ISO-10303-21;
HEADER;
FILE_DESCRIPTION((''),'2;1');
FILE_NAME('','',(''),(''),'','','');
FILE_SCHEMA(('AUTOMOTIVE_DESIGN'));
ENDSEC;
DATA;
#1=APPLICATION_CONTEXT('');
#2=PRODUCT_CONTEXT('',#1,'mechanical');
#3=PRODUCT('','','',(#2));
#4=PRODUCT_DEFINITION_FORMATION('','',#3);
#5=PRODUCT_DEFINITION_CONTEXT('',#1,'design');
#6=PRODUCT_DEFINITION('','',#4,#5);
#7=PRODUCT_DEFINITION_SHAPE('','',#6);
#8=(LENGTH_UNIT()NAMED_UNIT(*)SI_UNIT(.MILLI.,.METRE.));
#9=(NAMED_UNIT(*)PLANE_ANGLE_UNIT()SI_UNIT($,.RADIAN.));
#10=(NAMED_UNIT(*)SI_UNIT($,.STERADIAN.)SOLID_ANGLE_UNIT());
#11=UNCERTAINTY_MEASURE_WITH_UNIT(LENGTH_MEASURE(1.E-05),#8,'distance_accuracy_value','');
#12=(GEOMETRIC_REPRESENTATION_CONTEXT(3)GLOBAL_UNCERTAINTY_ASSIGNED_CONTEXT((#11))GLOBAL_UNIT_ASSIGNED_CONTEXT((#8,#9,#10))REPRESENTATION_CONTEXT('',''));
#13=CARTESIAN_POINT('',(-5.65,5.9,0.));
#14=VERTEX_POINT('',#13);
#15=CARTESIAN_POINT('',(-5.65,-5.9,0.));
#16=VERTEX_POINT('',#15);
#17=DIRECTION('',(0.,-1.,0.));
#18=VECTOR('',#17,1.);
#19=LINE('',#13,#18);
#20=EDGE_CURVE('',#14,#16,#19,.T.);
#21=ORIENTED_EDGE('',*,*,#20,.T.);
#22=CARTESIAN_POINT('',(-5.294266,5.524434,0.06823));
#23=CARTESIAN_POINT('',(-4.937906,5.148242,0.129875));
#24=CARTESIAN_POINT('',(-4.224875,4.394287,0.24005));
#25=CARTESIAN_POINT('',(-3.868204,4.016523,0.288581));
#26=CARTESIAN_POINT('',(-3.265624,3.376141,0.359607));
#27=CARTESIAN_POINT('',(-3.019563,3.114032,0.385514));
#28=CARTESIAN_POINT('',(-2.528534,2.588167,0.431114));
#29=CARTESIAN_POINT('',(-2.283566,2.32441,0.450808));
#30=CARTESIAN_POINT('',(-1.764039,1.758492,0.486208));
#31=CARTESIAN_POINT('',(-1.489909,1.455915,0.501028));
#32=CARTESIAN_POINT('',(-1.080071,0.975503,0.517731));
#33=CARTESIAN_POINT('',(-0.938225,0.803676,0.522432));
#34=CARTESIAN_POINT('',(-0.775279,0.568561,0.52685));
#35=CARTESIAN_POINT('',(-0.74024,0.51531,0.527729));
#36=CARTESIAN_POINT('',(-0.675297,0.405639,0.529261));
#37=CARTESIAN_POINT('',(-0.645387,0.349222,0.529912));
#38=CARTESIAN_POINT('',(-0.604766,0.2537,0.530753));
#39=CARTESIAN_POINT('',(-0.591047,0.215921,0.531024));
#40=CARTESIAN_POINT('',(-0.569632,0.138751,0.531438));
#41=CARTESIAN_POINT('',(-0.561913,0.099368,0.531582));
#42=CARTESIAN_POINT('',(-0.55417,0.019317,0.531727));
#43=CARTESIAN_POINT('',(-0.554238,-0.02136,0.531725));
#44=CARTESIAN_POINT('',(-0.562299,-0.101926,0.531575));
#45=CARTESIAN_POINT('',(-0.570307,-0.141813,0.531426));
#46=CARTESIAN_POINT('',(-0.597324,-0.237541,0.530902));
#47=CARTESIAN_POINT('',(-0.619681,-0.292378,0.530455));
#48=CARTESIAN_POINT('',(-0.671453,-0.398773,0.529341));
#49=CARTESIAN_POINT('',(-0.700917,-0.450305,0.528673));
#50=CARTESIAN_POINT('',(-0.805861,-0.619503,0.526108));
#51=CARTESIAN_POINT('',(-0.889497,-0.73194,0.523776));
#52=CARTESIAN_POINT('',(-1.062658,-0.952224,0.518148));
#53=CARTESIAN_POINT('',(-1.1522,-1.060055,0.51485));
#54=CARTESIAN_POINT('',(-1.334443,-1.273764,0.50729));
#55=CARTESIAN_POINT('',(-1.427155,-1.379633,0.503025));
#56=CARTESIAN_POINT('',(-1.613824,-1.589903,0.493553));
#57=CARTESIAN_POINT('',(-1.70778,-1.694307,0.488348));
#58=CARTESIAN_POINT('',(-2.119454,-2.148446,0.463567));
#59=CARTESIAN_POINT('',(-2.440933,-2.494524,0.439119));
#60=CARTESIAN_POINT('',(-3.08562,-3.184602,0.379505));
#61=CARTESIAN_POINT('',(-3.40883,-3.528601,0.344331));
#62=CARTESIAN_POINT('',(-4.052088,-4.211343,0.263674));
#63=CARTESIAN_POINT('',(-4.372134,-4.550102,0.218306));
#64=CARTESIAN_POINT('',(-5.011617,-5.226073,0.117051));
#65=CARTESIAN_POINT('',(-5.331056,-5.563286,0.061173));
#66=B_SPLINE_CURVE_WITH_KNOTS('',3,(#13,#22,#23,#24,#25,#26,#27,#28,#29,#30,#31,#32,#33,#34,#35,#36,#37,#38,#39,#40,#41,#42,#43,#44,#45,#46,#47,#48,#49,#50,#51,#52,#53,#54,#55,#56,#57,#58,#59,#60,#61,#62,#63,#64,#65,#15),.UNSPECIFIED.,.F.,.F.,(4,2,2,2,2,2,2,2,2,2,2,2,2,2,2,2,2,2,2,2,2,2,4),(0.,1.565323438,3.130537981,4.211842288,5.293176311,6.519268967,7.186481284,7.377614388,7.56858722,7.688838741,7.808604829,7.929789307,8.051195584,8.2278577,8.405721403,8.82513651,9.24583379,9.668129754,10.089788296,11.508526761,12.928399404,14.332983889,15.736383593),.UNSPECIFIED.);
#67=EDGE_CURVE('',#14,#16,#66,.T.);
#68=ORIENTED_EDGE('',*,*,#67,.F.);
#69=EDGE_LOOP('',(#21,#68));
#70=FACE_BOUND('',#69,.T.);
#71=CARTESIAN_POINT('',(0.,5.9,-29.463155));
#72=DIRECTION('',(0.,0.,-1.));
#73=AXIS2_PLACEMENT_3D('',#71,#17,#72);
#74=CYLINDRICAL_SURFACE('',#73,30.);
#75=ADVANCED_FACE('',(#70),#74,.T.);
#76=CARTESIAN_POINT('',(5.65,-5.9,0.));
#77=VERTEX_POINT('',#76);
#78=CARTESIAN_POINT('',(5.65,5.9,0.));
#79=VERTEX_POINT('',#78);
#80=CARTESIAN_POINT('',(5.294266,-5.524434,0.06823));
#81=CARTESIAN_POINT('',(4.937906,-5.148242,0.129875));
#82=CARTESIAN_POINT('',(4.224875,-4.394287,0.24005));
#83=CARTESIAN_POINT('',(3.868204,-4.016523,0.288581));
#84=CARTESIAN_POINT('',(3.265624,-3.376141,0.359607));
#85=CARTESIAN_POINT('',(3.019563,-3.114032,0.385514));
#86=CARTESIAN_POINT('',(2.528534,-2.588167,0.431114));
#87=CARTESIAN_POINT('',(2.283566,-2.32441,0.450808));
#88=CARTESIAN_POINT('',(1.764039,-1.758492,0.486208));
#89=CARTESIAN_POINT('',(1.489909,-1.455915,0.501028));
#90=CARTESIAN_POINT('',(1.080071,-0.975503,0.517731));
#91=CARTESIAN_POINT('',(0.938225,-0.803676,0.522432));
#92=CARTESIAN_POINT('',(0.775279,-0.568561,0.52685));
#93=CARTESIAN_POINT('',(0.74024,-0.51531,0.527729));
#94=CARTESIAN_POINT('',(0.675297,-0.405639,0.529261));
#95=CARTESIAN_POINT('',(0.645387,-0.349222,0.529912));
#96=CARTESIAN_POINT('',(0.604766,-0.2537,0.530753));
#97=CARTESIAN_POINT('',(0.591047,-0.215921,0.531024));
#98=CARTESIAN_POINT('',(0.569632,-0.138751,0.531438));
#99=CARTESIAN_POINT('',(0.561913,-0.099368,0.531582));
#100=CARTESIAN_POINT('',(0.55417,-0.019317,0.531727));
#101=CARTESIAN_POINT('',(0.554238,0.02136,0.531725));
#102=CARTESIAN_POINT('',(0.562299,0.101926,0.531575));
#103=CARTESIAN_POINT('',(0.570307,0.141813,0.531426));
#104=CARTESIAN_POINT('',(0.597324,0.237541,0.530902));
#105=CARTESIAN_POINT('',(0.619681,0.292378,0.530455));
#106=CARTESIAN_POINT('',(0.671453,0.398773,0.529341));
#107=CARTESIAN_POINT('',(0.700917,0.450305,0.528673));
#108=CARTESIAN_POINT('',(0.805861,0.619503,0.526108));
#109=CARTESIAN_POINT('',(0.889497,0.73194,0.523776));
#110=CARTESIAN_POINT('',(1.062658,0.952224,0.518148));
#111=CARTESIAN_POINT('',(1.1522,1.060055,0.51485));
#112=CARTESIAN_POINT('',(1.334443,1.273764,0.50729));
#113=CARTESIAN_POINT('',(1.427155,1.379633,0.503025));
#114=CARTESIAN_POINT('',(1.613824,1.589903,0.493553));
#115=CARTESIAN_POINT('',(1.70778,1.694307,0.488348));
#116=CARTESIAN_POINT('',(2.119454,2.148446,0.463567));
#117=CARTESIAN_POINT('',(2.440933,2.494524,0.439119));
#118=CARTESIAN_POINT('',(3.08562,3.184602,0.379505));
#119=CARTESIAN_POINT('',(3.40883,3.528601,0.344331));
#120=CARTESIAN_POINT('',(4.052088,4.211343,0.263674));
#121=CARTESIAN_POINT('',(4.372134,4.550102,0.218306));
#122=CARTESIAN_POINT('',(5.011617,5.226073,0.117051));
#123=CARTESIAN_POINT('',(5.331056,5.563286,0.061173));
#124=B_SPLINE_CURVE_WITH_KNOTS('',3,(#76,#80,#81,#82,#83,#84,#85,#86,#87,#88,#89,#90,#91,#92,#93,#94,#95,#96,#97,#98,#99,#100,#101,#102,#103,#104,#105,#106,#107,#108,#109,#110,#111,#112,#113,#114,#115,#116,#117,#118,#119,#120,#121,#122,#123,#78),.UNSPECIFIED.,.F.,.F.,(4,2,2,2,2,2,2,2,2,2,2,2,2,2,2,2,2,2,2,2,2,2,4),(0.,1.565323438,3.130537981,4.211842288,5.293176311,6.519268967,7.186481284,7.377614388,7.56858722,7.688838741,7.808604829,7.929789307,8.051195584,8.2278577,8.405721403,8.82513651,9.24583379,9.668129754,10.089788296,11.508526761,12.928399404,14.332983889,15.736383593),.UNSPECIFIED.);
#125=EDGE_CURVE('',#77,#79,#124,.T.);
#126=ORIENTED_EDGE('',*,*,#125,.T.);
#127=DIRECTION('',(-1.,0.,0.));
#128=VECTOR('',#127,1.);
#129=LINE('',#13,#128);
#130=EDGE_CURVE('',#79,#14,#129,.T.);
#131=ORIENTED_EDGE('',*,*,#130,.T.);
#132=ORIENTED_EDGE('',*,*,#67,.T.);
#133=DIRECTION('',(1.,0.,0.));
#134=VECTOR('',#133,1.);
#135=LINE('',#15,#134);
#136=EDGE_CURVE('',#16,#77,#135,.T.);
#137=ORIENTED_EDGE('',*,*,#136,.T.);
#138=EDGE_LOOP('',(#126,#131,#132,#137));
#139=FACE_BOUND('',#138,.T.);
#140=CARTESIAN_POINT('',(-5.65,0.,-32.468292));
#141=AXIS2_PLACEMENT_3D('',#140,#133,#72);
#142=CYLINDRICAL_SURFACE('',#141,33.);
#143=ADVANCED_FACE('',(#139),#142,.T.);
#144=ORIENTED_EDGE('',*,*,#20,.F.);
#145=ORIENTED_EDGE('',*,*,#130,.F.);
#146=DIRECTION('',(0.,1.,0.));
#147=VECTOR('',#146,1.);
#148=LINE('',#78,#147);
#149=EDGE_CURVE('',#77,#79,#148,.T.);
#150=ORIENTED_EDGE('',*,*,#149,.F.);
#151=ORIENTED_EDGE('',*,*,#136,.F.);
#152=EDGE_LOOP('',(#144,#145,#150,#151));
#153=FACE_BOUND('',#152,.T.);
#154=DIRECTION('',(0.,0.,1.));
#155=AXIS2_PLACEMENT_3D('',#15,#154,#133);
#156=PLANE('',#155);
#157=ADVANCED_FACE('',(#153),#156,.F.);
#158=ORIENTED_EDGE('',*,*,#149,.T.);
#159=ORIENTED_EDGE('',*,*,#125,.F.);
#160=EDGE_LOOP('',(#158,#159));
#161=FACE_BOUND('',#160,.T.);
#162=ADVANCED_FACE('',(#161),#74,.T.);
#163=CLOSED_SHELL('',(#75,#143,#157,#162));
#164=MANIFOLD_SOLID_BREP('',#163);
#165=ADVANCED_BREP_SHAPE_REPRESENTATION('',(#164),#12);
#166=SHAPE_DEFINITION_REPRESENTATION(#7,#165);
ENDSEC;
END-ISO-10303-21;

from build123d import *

# Parameters (mm, degrees)
SKETCH1_W                  = 11.3
SKETCH1_H                  = 11.8
KEY_DEPTH                  = 1
EXTRUDE2_DEPTH             = 12.8
CORTAR_EXTRUIR2_DEPTH      = 6.65
CORTAR_EXTRUIR2_DEPTH_BACK = 6.65


with BuildPart() as part:
    # Sketch1 → key (new body)
    with BuildSketch(Plane.XY):
        Rectangle(SKETCH1_W, SKETCH1_H)
    extrude(amount=KEY_DEPTH)

    # Sketch2 → Extrude2 (cut, through all)
    with BuildSketch(Plane.XZ.offset(5.9)):
        with BuildLine():
            Line((-5.65, 0), (-5.65, 1))
            Line((-5.65, 1), (5.65, 1))
            Line((5.65, 1), (5.65, 0))
            ThreePointArc((5.65, 0), (0, 0.536845043), (-5.65, 0))
        make_face()
    extrude(amount=-EXTRUDE2_DEPTH, mode=Mode.SUBTRACT)

    # Croquis1 → Cortar-Extruir2 (cut, two sides)
    with BuildSketch(Plane(origin=(0, 0, 0), x_dir=(0, 0, -1), z_dir=(1, 0, 0))) as cortar_extruir2_sk:
        with BuildLine():
            Line((0, 5.9), (-1.525972396, 5.9))
            Line((-1.525972396, 5.9), (-1.525972396, -5.9))
            Line((-1.525972396, -5.9), (0, -5.9))
            ThreePointArc((0, -5.9), (-0.531707775, 0), (0, 5.9))
        make_face()
    extrude(amount=CORTAR_EXTRUIR2_DEPTH, mode=Mode.SUBTRACT)
    extrude(cortar_extruir2_sk.sketch, amount=-CORTAR_EXTRUIR2_DEPTH_BACK, mode=Mode.SUBTRACT)


solid = part.part
